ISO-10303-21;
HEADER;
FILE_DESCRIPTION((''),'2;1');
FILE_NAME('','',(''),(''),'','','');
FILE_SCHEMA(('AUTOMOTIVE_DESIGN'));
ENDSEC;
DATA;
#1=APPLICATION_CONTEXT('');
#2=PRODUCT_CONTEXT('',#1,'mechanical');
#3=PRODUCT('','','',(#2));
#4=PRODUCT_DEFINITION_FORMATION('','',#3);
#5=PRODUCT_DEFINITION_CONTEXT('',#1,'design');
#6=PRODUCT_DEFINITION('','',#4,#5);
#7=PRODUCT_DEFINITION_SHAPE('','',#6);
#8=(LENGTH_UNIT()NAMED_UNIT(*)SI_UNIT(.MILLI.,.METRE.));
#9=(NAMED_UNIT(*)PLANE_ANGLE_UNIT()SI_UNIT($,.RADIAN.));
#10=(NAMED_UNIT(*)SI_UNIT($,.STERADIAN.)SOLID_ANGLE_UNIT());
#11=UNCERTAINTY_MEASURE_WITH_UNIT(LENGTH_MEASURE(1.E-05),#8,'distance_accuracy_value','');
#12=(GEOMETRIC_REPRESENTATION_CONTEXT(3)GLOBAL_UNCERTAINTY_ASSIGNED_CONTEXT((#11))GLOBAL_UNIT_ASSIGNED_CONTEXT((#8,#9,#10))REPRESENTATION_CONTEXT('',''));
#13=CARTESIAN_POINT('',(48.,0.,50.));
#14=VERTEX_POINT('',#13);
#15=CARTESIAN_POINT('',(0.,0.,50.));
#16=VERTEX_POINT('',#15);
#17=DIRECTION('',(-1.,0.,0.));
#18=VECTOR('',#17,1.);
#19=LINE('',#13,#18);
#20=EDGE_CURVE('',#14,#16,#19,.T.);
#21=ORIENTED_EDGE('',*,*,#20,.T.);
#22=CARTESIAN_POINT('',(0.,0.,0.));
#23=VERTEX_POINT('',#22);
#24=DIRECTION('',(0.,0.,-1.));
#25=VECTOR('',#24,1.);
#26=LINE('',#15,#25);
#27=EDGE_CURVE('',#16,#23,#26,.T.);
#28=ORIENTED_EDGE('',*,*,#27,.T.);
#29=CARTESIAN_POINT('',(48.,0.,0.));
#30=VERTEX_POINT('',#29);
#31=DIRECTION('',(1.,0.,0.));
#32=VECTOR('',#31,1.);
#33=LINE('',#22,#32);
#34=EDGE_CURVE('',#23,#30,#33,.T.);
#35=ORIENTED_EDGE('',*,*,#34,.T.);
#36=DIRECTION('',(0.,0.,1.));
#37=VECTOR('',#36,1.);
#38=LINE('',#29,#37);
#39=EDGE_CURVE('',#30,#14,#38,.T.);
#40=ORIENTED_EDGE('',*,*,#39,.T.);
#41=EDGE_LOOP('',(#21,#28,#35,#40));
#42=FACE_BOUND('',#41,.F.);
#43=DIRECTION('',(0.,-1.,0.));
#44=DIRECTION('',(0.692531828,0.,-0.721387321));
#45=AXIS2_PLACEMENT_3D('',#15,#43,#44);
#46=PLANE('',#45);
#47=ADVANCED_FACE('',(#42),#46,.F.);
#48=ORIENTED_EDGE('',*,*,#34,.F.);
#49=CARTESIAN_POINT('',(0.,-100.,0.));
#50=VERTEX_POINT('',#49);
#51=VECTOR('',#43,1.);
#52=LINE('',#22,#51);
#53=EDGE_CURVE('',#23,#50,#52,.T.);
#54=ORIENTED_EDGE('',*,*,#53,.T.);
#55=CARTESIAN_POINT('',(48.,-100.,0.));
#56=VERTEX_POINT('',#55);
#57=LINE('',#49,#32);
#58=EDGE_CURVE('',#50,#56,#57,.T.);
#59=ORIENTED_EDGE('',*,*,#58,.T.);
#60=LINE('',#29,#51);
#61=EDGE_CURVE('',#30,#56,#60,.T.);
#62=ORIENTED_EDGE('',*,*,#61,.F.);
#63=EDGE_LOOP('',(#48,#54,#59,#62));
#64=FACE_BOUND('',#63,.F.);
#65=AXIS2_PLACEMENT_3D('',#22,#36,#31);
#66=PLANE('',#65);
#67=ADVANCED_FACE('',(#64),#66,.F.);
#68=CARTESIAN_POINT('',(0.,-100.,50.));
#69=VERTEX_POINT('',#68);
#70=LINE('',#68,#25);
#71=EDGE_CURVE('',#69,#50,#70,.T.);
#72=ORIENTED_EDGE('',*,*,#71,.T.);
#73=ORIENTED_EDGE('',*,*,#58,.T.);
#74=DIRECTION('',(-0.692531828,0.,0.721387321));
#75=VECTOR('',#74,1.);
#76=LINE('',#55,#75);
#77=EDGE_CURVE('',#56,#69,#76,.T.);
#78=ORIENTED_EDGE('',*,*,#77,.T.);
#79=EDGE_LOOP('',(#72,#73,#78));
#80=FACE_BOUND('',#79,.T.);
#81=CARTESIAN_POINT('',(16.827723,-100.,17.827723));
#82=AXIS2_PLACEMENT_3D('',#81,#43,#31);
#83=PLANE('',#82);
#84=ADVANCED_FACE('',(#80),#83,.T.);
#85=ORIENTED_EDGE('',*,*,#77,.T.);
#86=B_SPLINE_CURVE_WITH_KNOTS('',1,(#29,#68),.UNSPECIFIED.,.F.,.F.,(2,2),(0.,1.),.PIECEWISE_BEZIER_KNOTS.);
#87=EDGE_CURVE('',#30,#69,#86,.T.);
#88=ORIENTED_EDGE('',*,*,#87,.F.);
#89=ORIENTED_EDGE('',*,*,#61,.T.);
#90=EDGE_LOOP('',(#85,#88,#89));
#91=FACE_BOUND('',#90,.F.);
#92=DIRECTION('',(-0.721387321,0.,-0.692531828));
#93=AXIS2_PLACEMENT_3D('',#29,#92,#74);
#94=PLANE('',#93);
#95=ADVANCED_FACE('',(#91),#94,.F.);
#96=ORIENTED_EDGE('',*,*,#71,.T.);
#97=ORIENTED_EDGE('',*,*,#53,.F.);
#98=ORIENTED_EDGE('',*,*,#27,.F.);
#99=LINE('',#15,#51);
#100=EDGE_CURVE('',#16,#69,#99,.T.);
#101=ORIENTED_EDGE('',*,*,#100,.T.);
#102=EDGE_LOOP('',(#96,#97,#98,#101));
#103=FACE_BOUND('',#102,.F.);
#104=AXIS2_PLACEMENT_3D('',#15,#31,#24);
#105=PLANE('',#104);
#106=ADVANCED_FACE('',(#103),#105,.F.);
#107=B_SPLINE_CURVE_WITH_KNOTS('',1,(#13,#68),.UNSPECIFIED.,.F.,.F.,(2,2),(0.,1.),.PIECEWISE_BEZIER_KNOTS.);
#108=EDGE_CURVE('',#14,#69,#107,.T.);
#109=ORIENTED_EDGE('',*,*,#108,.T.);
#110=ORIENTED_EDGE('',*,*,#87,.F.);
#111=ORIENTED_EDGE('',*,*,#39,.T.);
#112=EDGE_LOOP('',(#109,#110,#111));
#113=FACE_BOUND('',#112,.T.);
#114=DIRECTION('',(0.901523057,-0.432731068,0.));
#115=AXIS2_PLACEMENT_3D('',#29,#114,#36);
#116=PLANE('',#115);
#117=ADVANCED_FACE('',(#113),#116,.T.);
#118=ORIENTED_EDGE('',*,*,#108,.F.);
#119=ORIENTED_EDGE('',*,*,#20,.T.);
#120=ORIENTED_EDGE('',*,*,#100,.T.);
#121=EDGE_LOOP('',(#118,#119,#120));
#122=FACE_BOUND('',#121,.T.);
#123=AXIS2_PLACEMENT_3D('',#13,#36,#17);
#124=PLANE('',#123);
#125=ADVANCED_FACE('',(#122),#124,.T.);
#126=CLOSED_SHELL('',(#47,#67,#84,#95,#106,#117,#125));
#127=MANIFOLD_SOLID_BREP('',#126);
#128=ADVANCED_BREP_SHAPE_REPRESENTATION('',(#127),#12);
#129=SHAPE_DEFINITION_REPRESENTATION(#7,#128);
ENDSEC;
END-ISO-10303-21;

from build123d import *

# Parameters (mm, degrees)
F1_DEPTH = 100


with BuildPart() as f1:
    # F0 (on Front) → F1 (new body)
    with BuildSketch(Plane.XZ):
        Polygon((0, 50), (0, 0), (48, 0), align=None)
    extrude(amount=F1_DEPTH)

    # F0 (on Front) → F2 section 0
    with BuildSketch(Plane.XZ, mode=Mode.PRIVATE) as f2_s0:
        Polygon((0, 50), (48, 0), (48, 50), align=None)
    loft([f2_s0.sketch, Vertex(0, -100, 50)])


solid = f1.part
